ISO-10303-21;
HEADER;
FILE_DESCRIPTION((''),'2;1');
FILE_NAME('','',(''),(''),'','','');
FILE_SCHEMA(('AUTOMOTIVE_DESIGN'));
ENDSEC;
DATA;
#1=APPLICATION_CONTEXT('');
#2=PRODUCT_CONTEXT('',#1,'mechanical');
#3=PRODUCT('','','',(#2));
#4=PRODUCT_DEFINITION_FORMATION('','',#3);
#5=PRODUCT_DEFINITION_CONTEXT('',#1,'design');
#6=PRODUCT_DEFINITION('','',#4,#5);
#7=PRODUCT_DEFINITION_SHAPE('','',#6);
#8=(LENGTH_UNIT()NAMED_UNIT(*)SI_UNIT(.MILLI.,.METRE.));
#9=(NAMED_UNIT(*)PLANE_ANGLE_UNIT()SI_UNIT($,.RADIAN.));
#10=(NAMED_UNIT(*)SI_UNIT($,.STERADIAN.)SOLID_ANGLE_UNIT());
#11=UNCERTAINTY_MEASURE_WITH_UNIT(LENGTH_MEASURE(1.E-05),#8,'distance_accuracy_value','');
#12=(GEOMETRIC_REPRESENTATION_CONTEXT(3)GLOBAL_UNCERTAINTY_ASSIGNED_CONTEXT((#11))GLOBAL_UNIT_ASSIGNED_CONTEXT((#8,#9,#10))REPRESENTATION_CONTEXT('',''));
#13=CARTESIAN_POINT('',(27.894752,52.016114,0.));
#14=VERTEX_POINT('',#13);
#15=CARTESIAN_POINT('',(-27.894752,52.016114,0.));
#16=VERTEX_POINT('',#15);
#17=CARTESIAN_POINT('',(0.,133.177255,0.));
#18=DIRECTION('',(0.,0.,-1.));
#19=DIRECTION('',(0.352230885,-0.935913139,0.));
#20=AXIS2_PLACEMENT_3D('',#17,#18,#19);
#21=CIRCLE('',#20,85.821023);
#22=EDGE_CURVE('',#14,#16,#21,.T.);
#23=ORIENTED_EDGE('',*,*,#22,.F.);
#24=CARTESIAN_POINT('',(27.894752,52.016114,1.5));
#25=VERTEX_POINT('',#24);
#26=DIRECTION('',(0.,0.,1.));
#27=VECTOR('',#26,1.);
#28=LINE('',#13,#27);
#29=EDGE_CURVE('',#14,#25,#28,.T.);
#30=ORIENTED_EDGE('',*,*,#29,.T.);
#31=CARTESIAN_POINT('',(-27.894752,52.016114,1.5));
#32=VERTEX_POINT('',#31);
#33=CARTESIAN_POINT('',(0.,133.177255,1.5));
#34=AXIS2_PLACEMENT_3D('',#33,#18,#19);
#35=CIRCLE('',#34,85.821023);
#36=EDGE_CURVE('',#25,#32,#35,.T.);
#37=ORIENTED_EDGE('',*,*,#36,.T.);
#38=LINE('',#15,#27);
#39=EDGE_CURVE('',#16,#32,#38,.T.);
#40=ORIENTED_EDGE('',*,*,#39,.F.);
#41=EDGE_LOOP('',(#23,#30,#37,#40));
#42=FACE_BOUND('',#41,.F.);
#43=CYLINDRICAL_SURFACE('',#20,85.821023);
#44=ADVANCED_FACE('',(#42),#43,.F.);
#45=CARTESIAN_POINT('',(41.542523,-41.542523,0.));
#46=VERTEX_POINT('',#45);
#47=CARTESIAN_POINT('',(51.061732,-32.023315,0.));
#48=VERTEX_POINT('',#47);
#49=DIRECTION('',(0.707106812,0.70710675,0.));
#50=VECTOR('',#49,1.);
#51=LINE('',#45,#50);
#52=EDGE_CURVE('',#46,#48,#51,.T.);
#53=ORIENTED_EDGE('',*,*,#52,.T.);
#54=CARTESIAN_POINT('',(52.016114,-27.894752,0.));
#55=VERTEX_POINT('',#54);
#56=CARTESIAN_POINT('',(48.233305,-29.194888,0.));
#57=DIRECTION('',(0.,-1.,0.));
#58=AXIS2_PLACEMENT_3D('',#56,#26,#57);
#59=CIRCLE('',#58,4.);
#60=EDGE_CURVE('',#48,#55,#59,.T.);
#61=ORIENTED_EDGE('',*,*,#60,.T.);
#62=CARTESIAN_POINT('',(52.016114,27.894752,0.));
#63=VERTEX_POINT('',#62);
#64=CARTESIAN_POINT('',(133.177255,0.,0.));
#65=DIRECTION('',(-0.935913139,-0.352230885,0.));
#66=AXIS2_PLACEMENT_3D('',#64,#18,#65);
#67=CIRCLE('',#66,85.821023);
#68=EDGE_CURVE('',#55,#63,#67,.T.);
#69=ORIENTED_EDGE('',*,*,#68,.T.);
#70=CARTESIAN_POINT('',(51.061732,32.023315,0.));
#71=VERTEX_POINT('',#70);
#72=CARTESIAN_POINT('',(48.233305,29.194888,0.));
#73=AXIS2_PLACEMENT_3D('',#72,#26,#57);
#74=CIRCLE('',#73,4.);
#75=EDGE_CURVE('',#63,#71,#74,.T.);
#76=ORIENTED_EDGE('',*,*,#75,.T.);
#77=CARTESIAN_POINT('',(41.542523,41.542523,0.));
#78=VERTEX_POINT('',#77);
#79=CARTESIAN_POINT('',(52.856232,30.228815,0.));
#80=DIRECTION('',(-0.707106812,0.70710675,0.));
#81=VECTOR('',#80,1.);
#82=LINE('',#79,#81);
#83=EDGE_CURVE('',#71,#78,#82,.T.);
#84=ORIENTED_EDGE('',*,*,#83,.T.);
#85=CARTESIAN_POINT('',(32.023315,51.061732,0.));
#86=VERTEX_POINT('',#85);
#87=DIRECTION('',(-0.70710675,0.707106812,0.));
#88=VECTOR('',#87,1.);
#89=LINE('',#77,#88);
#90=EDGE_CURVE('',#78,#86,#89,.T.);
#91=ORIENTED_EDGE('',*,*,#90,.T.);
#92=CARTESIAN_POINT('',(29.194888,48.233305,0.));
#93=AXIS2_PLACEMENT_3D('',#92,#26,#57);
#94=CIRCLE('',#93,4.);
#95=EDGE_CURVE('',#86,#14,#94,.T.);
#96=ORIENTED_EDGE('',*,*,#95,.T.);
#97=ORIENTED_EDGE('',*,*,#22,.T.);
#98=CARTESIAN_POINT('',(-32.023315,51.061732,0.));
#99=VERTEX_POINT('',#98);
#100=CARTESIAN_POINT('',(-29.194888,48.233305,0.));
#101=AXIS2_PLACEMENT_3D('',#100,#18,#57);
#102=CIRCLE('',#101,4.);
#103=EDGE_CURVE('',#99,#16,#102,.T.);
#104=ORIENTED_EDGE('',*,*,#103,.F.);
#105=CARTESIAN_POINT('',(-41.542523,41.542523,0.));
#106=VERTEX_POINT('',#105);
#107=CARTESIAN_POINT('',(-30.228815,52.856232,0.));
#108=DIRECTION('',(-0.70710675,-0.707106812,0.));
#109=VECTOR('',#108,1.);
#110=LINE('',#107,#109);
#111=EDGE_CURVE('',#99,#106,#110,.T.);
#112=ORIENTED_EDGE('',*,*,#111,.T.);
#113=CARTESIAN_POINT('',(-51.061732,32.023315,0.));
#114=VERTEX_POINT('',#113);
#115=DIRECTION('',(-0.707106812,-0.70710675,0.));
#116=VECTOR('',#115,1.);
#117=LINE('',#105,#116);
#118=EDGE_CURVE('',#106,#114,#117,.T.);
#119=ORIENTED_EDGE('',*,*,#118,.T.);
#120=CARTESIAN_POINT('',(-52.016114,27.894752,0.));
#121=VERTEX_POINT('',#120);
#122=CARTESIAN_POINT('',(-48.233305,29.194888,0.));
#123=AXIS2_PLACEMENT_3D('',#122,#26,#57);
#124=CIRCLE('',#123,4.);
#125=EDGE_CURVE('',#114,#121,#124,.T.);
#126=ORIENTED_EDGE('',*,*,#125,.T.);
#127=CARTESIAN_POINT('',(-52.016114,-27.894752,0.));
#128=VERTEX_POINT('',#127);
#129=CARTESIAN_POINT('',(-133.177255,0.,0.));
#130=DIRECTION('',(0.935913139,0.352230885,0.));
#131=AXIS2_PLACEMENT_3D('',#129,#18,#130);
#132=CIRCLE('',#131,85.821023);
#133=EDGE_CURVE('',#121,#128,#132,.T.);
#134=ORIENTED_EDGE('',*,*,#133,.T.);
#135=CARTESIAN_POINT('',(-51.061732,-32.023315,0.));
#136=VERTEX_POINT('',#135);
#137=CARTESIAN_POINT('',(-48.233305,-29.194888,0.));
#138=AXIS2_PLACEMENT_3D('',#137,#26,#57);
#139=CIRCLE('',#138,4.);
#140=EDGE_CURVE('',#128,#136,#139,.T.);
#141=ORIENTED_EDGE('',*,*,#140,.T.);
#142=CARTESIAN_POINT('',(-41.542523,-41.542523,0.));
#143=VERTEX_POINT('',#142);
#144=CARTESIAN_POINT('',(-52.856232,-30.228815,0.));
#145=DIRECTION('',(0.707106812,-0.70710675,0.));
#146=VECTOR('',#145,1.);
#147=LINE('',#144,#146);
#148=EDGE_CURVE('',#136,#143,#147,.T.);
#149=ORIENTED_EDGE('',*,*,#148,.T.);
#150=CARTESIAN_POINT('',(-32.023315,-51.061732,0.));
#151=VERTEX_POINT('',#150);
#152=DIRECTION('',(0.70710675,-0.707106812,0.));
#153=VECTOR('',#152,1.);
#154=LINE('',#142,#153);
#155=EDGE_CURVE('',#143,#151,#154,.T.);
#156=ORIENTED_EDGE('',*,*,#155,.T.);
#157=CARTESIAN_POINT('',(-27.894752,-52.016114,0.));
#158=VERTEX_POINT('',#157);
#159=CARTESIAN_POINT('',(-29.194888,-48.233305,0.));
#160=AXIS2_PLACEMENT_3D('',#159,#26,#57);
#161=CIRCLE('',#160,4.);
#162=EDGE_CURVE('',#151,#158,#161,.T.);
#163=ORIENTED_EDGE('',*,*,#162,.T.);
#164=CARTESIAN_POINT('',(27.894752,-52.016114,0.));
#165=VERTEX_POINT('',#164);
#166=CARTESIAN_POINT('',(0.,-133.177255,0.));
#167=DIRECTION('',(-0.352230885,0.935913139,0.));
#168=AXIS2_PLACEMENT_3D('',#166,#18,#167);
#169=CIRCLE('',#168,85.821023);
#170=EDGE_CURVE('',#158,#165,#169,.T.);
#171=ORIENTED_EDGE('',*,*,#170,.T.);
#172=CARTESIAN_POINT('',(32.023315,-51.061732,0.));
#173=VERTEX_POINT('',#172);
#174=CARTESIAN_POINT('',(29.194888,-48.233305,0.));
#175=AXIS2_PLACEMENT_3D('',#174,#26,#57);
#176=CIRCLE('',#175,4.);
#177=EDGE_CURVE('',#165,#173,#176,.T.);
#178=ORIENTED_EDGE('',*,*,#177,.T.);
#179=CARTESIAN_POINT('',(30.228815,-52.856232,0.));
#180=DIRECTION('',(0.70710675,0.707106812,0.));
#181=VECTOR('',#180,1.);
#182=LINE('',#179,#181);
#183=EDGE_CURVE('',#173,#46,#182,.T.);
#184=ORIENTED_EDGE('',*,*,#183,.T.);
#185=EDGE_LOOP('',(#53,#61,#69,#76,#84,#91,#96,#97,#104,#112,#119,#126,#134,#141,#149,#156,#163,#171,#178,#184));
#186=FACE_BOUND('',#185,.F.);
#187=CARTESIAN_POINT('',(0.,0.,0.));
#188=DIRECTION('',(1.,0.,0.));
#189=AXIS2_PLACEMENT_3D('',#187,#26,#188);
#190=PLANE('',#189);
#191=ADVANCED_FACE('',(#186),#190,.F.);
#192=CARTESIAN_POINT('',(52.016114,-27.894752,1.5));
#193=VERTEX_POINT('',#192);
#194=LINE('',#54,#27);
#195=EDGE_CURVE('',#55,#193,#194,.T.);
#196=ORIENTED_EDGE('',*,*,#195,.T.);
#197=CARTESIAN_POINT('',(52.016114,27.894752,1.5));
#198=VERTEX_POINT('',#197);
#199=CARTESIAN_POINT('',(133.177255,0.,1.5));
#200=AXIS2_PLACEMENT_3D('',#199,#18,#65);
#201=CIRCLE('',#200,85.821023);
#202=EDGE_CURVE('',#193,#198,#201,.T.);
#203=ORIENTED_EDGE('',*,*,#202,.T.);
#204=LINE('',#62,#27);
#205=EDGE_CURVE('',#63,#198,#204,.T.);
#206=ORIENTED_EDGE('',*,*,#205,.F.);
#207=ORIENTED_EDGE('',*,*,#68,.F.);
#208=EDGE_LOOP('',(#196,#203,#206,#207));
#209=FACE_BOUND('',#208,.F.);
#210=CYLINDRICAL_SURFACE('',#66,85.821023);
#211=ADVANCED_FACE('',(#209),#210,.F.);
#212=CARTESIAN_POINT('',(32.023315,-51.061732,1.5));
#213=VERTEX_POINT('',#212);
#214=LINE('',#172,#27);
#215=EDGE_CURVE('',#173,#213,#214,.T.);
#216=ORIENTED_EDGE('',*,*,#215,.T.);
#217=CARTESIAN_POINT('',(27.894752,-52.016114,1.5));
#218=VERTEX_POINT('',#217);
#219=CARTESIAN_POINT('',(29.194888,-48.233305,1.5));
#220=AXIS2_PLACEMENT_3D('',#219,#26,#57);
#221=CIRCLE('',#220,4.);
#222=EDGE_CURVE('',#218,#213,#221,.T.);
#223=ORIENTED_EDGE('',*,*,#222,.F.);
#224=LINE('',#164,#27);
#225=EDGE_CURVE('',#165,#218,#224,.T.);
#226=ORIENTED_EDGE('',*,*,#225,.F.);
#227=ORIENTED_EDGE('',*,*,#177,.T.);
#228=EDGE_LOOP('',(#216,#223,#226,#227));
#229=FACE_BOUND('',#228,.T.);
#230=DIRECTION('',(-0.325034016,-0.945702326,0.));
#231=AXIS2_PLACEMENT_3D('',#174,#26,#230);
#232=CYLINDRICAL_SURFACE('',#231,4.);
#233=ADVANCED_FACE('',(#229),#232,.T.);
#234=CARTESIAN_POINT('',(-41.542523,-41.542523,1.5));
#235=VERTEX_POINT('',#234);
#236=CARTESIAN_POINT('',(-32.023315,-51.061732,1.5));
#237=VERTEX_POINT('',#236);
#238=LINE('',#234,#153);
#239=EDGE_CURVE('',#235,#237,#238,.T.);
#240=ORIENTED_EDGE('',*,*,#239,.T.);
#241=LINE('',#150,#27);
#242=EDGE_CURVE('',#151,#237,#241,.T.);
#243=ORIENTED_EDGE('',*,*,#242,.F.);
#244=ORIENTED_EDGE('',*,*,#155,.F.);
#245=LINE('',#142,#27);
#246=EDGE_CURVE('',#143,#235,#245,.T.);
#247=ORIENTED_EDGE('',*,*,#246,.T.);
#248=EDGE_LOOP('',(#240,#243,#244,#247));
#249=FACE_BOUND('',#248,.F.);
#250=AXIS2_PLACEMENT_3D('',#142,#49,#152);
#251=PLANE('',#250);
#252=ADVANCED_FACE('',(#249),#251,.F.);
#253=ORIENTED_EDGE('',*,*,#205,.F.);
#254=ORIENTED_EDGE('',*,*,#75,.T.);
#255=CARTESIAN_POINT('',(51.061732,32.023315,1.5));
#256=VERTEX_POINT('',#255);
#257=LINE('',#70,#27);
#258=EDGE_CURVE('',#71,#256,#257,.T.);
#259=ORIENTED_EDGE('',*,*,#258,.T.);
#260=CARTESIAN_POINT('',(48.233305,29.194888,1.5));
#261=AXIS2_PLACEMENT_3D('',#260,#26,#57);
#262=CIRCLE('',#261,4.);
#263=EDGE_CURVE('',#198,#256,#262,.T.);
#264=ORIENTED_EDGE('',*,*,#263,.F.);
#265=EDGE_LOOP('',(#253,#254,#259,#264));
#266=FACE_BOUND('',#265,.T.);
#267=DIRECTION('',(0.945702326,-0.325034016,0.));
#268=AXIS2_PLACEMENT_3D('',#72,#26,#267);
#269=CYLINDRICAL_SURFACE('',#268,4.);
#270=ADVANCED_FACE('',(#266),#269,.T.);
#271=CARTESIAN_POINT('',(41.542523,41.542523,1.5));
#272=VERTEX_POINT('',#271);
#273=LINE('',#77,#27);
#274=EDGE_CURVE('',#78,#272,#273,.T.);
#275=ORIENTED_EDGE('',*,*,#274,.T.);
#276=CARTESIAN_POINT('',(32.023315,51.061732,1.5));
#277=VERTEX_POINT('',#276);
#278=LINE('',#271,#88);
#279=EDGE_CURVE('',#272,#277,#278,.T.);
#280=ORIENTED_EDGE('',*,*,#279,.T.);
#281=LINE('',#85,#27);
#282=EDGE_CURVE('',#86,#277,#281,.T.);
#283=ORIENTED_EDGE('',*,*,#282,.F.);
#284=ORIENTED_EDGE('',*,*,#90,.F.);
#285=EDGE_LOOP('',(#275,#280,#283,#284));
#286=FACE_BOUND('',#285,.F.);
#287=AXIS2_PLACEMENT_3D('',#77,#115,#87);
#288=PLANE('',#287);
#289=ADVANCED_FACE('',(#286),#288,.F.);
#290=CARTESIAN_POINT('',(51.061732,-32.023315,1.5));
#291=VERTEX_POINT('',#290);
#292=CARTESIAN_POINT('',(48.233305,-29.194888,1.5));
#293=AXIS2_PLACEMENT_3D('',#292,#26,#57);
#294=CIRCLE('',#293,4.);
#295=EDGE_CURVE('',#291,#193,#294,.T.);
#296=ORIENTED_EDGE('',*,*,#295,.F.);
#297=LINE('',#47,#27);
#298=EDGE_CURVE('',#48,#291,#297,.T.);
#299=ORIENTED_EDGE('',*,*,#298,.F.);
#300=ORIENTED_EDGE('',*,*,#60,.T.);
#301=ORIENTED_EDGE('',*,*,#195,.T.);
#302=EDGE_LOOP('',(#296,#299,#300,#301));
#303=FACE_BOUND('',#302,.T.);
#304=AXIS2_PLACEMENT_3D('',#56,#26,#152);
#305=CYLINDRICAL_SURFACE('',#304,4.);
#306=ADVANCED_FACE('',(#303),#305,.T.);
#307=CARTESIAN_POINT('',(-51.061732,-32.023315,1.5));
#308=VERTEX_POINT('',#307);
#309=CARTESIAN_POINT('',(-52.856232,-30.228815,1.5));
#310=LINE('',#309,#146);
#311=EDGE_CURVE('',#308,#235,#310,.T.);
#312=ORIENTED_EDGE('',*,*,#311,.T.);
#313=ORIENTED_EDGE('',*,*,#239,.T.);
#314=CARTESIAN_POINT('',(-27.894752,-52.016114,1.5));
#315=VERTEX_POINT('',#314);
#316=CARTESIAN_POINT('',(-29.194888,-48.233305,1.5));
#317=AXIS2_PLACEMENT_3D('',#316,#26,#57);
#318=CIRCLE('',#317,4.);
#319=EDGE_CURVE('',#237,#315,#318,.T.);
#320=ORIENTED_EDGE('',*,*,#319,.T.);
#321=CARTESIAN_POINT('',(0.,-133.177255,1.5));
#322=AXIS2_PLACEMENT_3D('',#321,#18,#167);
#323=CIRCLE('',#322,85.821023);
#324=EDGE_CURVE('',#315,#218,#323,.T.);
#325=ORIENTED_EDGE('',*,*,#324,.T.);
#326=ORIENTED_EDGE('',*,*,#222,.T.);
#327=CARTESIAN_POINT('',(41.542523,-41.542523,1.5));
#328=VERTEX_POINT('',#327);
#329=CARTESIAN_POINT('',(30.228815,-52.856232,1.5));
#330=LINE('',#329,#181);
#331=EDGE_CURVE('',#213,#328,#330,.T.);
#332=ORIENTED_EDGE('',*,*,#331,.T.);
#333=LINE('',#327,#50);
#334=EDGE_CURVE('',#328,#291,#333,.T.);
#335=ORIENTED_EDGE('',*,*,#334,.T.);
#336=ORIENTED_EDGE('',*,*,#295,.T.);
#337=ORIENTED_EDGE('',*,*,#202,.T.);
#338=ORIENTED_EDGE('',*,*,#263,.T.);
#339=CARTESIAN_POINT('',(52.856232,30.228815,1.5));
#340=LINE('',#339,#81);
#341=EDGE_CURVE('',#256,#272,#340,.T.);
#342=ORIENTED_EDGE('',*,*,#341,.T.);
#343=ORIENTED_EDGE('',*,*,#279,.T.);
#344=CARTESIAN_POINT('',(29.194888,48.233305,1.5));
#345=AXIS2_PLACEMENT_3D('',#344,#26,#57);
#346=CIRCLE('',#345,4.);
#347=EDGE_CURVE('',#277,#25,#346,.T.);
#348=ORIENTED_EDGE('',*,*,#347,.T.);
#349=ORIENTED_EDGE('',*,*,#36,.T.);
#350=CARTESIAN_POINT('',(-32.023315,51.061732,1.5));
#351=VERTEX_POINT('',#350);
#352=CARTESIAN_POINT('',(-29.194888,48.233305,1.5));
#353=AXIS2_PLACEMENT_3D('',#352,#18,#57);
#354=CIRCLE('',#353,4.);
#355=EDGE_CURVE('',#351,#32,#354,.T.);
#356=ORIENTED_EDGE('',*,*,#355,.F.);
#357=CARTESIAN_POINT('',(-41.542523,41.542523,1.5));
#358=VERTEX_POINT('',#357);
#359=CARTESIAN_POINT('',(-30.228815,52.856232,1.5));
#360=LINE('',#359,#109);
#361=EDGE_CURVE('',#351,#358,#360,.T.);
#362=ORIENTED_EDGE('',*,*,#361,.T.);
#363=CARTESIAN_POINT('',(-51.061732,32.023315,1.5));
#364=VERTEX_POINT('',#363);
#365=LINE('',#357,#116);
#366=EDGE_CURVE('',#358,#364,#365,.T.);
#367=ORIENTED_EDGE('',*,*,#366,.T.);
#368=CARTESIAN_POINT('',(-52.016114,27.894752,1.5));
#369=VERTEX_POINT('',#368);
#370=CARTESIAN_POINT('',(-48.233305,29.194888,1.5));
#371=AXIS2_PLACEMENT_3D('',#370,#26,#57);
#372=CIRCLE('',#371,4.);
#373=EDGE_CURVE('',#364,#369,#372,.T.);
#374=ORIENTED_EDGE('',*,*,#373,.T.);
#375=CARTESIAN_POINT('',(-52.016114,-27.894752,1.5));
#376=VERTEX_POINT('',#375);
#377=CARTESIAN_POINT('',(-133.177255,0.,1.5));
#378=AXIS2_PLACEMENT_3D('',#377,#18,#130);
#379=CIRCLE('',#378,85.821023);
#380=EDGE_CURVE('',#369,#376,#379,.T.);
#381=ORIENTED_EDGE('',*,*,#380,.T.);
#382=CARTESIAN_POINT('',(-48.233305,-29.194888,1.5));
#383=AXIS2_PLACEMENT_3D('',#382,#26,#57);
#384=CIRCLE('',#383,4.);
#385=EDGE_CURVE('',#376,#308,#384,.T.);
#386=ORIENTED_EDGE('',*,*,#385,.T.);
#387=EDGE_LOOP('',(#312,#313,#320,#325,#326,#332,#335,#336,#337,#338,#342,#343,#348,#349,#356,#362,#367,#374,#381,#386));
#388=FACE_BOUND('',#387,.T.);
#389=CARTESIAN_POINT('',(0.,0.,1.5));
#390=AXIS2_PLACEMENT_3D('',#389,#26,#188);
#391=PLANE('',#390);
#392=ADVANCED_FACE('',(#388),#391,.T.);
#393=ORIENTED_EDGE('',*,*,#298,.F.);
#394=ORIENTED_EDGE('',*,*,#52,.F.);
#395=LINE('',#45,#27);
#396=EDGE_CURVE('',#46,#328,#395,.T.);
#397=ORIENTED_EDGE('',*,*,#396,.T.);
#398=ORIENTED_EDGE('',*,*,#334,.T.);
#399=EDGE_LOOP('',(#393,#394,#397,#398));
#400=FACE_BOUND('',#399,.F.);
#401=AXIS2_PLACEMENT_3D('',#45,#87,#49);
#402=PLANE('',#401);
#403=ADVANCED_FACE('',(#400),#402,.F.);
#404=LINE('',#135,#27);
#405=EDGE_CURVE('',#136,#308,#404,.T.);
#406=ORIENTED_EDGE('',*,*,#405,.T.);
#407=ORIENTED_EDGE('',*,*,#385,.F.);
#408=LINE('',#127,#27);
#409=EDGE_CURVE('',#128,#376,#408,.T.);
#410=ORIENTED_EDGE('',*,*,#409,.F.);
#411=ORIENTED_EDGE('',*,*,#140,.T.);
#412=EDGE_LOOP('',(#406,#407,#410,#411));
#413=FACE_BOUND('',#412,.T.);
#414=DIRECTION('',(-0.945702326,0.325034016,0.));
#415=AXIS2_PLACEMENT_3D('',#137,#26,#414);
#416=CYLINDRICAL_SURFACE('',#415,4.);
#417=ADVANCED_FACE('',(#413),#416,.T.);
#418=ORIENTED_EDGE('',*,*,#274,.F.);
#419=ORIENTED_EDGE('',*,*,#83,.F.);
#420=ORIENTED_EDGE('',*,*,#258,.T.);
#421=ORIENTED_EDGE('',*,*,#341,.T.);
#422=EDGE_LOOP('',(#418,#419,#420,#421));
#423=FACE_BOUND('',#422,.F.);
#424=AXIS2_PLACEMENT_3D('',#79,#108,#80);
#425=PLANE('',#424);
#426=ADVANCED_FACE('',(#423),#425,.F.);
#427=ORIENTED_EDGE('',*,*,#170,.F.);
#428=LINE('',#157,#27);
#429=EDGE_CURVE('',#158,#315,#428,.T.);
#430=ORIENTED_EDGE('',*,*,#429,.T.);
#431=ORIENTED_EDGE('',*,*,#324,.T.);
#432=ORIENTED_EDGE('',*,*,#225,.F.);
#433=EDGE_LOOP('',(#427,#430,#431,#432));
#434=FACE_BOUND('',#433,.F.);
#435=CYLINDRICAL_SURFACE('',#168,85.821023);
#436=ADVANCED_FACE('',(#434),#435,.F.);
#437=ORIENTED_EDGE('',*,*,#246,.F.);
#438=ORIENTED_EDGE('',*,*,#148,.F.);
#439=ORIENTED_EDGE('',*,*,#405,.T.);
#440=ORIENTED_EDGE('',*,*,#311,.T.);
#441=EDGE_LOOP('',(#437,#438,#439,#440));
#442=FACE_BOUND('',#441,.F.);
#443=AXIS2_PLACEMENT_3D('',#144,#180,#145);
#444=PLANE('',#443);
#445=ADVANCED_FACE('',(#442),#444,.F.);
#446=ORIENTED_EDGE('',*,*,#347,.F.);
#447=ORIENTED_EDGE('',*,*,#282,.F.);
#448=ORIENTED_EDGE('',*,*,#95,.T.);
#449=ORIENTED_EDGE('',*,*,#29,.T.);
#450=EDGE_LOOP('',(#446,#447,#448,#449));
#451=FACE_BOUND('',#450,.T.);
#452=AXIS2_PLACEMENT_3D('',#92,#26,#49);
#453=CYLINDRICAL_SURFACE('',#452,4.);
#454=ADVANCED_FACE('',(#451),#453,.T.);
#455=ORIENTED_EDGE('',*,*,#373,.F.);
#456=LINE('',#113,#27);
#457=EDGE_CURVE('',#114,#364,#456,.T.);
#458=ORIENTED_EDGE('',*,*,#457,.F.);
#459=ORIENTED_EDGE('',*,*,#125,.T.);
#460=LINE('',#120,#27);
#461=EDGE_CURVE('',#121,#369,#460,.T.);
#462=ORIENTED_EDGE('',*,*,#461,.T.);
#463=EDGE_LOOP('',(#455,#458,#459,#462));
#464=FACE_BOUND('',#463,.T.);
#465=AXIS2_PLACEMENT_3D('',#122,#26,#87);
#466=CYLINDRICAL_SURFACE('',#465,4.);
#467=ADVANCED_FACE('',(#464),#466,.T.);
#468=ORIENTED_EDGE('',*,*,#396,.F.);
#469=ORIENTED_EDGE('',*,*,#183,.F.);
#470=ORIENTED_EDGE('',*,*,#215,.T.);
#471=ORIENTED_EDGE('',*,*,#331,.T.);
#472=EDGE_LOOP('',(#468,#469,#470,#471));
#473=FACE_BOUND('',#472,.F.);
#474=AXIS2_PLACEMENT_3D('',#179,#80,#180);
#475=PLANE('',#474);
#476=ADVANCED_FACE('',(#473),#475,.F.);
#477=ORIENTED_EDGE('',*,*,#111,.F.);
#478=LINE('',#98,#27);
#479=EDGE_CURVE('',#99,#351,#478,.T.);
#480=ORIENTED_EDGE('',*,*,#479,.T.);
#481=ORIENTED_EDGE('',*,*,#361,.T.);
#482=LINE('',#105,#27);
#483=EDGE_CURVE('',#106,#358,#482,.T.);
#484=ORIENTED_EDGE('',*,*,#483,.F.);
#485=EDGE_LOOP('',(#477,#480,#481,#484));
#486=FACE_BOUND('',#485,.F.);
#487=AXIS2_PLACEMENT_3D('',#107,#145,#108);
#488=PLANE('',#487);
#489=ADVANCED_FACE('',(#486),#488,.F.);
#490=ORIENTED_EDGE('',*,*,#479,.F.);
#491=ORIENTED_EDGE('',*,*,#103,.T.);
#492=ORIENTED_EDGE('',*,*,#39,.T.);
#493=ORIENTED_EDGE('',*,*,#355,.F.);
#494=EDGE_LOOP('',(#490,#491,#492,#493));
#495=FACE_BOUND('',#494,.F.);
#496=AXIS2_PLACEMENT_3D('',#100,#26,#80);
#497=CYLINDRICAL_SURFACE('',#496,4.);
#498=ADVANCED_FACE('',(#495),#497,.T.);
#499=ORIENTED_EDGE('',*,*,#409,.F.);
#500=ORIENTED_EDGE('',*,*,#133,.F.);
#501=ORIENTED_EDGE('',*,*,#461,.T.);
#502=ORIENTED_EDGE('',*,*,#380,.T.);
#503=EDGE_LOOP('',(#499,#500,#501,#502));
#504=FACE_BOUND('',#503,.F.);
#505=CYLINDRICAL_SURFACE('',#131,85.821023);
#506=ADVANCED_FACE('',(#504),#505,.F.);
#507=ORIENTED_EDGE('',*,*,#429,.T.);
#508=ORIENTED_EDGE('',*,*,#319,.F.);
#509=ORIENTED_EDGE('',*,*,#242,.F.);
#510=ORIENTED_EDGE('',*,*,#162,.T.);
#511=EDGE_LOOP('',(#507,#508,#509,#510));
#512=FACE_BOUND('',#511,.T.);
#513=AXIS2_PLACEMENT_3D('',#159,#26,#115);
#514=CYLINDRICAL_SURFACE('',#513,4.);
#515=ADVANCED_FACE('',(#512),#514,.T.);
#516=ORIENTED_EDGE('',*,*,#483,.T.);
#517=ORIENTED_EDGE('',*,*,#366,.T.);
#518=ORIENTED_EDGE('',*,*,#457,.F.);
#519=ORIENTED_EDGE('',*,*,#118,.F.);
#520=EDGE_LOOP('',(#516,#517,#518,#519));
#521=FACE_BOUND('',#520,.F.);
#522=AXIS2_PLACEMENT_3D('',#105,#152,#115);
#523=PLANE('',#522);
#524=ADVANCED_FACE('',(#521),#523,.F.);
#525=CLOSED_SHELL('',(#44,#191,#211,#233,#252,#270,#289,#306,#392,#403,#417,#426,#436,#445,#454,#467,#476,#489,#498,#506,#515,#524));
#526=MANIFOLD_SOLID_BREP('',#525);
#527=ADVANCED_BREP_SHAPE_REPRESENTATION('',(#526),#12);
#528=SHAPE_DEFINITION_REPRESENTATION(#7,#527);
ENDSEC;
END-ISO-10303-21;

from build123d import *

# Parameters (mm, degrees)
F2_DEPTH = 1.5
F3_R     = 4


with BuildPart() as f2:
    # F1 (on Top) → F2 (new body)
    with BuildSketch(Plane.XY):
        with BuildLine():
            Line((-30.228815, 52.856232), (-41.542523, 41.542523))
            Line((-41.542523, 41.542523), (-52.856232, 30.228815))
            ThreePointArc((-52.856232, 30.228815), (-47.356232, 0), (-52.856232, -30.228815))
            Line((-52.856232, -30.228815), (-41.542523, -41.542523))
            Line((-41.542523, -41.542523), (-30.228815, -52.856232))
            ThreePointArc((-30.228815, -52.856232), (0, -47.356232), (30.228815, -52.856232))
            Line((30.228815, -52.856232), (41.542523, -41.542523))
            Line((41.542523, -41.542523), (52.856232, -30.228815))
            ThreePointArc((52.856232, -30.228815), (47.356232, 0), (52.856232, 30.228815))
            Line((52.856232, 30.228815), (41.542523, 41.542523))
            Line((41.542523, 41.542523), (30.228815, 52.856232))
            ThreePointArc((30.228815, 52.856232), (0, 47.356232), (-30.228815, 52.856232))
        make_face()
    extrude(amount=F2_DEPTH)

    # F3
    f3_edges = [f2.edges().sort_by_distance(p)[0] for p in [
        (-52.856232, 30.228815, 0.75),
        (-30.228815, 52.856232, 0.75),
        (30.228815, 52.856232, 0.75),
        (52.856232, 30.228815, 0.75),
        (52.856232, -30.228815, 0.75),
        (30.228815, -52.856232, 0.75),
        (-30.228815, -52.856232, 0.75),
        (-52.856232, -30.228815, 0.75),
    ]]
    fillet(f3_edges, radius=F3_R)


solid = f2.part
